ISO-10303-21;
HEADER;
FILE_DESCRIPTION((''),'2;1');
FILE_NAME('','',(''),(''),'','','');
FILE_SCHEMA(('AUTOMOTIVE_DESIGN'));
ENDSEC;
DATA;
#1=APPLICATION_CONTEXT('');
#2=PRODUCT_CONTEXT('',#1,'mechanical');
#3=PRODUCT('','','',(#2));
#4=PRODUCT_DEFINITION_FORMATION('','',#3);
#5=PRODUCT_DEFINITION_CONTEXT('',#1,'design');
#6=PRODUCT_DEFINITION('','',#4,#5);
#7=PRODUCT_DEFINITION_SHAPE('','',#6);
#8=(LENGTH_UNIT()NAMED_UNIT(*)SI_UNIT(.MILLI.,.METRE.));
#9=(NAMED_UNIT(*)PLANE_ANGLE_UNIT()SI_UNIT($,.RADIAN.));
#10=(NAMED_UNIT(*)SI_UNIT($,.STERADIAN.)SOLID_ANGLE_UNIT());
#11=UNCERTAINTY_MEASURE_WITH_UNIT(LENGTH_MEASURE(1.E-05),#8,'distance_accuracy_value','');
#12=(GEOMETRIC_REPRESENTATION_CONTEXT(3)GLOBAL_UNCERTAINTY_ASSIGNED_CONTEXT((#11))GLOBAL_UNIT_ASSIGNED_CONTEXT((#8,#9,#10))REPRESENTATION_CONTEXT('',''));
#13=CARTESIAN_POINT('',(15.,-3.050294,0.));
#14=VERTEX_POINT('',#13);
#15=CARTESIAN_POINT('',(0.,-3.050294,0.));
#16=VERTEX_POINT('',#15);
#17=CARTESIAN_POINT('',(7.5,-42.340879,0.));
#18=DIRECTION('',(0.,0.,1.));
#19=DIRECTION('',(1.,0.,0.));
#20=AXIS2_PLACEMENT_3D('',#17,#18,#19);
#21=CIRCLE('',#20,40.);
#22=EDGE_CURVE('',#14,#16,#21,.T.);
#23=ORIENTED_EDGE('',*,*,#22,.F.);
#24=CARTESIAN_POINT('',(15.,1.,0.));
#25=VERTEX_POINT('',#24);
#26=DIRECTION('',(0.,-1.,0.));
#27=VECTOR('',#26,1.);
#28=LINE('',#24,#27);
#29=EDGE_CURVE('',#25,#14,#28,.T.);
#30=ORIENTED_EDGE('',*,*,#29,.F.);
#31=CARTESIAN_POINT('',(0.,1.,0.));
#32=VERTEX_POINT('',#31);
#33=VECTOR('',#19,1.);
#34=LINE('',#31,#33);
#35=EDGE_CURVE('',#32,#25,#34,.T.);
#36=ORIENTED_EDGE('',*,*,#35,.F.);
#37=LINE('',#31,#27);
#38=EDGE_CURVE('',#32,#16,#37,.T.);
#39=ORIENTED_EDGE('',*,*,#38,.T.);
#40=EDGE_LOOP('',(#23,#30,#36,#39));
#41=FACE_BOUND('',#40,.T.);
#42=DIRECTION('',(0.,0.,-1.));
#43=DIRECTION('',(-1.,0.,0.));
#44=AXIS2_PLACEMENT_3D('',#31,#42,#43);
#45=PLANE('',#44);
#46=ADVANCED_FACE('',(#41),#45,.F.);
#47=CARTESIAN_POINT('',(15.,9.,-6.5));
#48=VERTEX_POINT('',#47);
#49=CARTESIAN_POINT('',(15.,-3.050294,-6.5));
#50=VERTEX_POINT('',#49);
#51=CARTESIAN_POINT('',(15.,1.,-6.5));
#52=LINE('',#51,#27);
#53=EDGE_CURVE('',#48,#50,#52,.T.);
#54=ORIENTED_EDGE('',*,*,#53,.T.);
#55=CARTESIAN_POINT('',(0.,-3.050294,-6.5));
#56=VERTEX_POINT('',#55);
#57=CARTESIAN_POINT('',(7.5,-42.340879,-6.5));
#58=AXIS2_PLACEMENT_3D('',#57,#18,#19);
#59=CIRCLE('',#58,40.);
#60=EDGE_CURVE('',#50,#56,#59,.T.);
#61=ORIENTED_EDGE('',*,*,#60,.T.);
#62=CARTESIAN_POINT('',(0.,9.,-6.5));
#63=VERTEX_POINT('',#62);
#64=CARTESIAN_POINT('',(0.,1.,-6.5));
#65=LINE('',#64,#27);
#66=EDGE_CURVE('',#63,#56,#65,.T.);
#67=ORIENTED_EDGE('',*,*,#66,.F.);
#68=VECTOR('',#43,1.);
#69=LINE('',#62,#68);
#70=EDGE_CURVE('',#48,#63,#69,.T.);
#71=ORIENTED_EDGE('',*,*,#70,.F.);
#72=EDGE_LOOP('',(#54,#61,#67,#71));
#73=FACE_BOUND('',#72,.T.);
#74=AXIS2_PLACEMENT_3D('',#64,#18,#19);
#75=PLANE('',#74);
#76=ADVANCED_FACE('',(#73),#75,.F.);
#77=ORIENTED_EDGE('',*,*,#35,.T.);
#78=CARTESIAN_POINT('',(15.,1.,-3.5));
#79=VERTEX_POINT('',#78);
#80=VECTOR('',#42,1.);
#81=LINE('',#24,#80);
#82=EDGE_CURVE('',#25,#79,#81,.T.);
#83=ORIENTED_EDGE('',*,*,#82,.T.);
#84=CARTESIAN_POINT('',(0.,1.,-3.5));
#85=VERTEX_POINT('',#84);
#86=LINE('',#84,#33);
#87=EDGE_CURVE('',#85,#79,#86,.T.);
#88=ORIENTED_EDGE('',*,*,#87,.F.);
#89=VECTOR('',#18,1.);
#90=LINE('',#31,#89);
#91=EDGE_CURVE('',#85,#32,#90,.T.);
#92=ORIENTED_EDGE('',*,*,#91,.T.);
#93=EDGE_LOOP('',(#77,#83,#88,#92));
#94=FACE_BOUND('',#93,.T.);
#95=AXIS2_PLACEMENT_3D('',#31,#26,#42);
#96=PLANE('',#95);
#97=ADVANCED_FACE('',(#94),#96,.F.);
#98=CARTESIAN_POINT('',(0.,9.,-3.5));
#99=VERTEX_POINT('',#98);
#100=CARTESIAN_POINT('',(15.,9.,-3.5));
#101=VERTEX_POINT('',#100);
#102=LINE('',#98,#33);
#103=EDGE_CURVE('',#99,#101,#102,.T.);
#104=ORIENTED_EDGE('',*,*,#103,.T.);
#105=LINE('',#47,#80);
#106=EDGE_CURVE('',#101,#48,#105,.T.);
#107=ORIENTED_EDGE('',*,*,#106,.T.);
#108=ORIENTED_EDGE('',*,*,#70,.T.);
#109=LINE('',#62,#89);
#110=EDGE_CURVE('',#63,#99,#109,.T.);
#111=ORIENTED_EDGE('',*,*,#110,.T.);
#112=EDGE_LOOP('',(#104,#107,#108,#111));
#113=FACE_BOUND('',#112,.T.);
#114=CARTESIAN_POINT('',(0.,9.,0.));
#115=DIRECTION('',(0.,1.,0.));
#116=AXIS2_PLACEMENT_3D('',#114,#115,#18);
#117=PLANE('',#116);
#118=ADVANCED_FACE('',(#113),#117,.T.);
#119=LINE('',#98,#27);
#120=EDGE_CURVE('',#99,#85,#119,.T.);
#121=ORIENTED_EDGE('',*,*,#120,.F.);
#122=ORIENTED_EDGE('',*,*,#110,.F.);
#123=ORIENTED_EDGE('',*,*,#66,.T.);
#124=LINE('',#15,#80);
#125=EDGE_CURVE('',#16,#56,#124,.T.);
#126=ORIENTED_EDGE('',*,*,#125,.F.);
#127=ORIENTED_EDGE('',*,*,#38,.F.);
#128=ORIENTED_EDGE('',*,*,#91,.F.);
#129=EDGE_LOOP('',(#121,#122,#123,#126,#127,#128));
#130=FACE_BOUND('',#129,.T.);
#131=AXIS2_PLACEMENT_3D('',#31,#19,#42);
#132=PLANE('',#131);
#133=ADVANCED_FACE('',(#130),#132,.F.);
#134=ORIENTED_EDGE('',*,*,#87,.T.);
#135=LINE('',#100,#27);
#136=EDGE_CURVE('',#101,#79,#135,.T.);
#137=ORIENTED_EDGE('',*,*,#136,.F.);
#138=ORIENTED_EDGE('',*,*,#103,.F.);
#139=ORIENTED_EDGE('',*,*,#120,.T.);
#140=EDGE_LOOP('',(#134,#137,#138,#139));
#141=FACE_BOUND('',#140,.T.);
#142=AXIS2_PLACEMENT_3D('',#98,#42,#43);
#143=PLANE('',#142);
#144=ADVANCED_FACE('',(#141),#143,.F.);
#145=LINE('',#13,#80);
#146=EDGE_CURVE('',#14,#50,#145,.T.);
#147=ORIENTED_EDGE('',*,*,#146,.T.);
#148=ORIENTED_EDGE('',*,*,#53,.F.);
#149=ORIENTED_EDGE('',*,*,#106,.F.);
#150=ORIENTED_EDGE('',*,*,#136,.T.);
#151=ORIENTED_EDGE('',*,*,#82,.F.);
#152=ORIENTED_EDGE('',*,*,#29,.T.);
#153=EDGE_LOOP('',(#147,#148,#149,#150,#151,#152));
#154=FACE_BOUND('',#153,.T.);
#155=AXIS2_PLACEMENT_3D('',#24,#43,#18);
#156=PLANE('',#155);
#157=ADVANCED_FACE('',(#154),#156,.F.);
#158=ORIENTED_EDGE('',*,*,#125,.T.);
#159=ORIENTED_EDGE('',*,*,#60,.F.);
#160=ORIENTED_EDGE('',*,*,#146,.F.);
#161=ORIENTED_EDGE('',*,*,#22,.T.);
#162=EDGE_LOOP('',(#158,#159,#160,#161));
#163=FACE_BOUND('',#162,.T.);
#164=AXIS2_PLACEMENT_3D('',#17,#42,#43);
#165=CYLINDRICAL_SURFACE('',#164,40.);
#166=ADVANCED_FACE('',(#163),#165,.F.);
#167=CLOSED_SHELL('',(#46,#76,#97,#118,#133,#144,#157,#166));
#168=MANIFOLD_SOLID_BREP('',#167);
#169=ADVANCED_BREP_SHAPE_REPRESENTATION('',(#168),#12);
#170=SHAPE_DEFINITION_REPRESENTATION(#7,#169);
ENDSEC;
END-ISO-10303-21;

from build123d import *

# Parameters (mm, degrees)
SKETCH1_W           = 15
SKETCH1_H           = 6.5
BOSS_EXTRUDE1_DEPTH = 1
BOSS_EXTRUDE2_START = -6.5
BOSS_EXTRUDE2_DEPTH = 6.5
SKETCH3_W           = 15
SKETCH3_H           = 3
BOSS_EXTRUDE3_DEPTH = 8


with BuildPart() as part:
    # Sketch1 → Boss-Extrude1 (new body)
    with BuildSketch(Plane(origin=(0, 0, 0), x_dir=(1, 0, 0), z_dir=(0, 1, 0))):
        with Locations((7.5, 3.25)):
            Rectangle(SKETCH1_W, SKETCH1_H)
    extrude(amount=BOSS_EXTRUDE1_DEPTH)

    # Sketch2 → Boss-Extrude2 (add)
    with BuildSketch(Plane.XY.offset(BOSS_EXTRUDE2_START)):
        with BuildLine():
            Line((0, 0), (0, -3.050294479))
            ThreePointArc((0, -3.050294479), (7.5, -2.340878593), (15, -3.050294479))
            Line((15, -3.050294479), (15, 0))
            ThreePointArc((15, 0), (7.5, 0.659121407), (0, 0))
        make_face()
    extrude(amount=BOSS_EXTRUDE2_DEPTH)

    # Sketch3 → Boss-Extrude3 (add)
    with BuildSketch(Plane(origin=(0, 1, 0), x_dir=(1, 0, 0), z_dir=(0, 1, 0))):
        with Locations((7.5, 5)):
            Rectangle(SKETCH3_W, SKETCH3_H)
    extrude(amount=BOSS_EXTRUDE3_DEPTH)


solid = part.part
